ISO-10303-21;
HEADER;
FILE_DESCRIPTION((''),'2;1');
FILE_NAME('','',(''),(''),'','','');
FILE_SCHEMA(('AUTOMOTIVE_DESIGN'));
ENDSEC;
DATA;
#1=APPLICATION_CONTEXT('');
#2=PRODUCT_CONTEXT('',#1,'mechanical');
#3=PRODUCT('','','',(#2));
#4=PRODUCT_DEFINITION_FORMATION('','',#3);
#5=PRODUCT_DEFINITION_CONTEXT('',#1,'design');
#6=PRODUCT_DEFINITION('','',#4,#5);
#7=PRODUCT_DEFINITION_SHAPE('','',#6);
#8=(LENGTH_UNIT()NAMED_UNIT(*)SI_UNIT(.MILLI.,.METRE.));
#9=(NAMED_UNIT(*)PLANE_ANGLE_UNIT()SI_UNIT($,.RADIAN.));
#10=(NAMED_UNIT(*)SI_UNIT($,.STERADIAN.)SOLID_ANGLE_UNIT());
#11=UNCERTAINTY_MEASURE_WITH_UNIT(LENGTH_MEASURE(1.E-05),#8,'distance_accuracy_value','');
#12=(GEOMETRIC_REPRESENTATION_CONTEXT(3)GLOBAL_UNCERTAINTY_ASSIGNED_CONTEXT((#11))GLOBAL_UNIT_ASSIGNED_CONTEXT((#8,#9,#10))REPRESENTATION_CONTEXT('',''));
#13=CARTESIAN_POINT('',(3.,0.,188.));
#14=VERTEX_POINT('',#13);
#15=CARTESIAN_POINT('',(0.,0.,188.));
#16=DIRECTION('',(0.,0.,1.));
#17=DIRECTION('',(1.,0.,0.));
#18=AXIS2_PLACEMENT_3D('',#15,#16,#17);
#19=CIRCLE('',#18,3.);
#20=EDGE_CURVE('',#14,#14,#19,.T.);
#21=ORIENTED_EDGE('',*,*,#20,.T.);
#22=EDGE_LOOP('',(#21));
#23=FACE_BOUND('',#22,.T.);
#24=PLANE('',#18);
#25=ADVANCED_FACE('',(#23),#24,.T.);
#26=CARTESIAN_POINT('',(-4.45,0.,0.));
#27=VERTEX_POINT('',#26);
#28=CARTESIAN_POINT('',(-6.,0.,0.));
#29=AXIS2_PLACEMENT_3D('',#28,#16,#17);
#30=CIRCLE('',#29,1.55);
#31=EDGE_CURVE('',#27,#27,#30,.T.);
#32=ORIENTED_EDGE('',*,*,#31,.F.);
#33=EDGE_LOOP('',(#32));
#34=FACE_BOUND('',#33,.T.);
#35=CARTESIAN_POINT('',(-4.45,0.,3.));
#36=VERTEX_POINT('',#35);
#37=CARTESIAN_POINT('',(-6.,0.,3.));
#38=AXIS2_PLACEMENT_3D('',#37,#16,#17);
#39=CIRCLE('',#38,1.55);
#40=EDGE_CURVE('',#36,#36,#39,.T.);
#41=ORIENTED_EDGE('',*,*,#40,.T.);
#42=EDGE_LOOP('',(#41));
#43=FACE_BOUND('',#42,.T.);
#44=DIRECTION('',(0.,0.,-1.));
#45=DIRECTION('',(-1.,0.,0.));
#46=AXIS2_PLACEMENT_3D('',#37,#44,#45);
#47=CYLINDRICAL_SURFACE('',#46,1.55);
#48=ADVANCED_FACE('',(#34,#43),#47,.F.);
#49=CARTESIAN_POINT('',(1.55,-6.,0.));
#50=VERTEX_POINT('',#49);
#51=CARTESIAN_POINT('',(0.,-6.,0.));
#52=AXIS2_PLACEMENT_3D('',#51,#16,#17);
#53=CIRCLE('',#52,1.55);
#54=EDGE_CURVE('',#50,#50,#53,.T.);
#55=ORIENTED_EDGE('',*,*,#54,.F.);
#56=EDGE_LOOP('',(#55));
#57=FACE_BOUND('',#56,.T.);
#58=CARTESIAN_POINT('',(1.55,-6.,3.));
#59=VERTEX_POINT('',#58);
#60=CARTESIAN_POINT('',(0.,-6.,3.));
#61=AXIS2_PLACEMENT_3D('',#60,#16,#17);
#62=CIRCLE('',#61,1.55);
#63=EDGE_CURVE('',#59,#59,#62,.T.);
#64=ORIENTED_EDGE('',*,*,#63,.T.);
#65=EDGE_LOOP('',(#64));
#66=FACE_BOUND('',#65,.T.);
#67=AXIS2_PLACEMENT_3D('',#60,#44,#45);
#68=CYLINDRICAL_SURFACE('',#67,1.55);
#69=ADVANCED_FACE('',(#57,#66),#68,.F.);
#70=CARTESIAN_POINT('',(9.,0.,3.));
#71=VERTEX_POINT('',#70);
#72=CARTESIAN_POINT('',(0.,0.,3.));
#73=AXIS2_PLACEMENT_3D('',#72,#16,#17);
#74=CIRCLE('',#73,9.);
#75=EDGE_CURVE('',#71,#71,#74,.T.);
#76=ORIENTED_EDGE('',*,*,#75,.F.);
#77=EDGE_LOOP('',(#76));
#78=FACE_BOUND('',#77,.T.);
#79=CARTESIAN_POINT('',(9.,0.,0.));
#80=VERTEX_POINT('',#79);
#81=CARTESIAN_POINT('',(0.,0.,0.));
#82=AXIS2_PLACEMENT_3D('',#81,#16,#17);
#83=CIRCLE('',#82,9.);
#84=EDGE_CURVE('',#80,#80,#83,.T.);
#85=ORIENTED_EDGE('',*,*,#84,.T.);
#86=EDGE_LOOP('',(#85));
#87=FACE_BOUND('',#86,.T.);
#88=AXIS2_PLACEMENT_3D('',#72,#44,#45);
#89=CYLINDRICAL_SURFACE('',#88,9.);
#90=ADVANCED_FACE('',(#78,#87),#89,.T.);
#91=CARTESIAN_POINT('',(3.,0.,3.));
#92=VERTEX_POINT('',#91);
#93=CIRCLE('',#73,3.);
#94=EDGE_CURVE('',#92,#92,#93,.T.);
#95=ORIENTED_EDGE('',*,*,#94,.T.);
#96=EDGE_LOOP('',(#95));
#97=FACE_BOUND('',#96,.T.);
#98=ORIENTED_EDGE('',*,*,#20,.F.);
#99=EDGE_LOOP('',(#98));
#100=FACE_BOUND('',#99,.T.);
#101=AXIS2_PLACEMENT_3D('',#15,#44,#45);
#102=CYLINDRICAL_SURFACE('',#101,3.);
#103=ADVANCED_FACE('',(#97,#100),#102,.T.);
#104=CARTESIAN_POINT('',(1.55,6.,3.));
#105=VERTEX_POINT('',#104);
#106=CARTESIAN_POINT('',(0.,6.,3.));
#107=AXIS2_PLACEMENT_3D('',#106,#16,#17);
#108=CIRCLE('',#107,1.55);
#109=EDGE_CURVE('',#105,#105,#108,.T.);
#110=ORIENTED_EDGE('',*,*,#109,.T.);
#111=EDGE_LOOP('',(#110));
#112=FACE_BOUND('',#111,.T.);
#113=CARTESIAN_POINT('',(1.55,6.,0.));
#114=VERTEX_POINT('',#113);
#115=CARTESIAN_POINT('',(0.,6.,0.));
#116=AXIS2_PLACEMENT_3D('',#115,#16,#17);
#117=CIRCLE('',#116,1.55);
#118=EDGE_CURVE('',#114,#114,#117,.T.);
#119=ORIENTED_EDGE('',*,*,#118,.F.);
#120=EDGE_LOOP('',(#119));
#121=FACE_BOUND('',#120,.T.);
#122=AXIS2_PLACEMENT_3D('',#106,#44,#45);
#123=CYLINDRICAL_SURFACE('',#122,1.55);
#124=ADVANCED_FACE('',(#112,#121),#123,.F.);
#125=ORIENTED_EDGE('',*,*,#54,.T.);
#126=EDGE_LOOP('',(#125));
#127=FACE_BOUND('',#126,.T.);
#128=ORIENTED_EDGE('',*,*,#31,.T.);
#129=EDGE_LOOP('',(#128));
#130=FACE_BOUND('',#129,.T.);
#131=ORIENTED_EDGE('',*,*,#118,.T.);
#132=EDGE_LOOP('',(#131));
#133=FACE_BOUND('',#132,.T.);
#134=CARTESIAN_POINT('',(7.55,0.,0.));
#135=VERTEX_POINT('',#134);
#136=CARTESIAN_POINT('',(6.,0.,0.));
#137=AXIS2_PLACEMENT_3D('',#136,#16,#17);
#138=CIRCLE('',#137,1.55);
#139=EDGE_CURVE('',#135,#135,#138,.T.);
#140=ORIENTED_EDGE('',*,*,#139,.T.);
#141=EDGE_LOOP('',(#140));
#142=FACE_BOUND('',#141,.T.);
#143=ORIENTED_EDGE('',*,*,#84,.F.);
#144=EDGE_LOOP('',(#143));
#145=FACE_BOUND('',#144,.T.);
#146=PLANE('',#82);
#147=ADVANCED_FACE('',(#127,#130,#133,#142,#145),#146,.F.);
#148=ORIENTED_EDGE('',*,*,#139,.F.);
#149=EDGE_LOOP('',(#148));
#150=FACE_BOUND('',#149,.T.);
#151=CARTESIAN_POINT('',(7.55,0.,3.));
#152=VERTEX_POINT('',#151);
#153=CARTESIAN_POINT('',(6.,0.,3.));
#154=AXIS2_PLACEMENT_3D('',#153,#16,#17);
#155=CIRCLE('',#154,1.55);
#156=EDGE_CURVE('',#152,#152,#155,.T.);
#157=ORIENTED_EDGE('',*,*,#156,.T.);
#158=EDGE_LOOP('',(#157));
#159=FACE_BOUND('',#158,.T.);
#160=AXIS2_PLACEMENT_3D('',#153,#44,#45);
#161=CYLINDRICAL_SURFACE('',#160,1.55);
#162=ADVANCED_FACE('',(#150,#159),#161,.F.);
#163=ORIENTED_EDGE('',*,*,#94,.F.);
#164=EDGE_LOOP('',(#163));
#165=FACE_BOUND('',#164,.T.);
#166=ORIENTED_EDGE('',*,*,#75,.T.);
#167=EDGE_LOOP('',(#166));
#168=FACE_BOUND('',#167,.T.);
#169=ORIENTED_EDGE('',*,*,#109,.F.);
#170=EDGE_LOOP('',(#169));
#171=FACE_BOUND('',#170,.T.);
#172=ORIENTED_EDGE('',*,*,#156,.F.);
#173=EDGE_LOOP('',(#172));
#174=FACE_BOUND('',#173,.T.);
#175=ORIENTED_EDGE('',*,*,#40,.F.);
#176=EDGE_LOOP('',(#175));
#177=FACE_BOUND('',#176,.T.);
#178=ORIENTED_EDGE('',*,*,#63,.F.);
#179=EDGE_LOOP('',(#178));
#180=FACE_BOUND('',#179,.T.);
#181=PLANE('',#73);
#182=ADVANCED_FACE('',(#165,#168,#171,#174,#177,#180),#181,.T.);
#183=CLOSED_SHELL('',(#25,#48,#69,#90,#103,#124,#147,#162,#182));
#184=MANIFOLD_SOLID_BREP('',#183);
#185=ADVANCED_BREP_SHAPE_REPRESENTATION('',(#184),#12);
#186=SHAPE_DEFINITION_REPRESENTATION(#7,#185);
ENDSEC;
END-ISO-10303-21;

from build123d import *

# Parameters (mm, degrees)
SKETCH1_R           = 9
SKETCH1_R_2         = 1.55
BOSS_EXTRUDE1_DEPTH = 3
SKETCH2_R           = 3
BOSS_EXTRUDE2_DEPTH = 185


with BuildPart() as part:
    # Sketch1 → Boss-Extrude1 (new body)
    with BuildSketch(Plane.XY):
        Circle(SKETCH1_R)
        with Locations((-6, 0)):
            Circle(SKETCH1_R_2, mode=Mode.SUBTRACT)
        with Locations((0, 6)):
            Circle(SKETCH1_R_2, mode=Mode.SUBTRACT)
        with Locations((6, 0)):
            Circle(SKETCH1_R_2, mode=Mode.SUBTRACT)
        with Locations((0, -6)):
            Circle(SKETCH1_R_2, mode=Mode.SUBTRACT)
    extrude(amount=BOSS_EXTRUDE1_DEPTH)

    # Sketch2 → Boss-Extrude2 (add)
    with BuildSketch(Plane.XY.offset(3)):
        Circle(SKETCH2_R)
    extrude(amount=BOSS_EXTRUDE2_DEPTH)


solid = part.part
